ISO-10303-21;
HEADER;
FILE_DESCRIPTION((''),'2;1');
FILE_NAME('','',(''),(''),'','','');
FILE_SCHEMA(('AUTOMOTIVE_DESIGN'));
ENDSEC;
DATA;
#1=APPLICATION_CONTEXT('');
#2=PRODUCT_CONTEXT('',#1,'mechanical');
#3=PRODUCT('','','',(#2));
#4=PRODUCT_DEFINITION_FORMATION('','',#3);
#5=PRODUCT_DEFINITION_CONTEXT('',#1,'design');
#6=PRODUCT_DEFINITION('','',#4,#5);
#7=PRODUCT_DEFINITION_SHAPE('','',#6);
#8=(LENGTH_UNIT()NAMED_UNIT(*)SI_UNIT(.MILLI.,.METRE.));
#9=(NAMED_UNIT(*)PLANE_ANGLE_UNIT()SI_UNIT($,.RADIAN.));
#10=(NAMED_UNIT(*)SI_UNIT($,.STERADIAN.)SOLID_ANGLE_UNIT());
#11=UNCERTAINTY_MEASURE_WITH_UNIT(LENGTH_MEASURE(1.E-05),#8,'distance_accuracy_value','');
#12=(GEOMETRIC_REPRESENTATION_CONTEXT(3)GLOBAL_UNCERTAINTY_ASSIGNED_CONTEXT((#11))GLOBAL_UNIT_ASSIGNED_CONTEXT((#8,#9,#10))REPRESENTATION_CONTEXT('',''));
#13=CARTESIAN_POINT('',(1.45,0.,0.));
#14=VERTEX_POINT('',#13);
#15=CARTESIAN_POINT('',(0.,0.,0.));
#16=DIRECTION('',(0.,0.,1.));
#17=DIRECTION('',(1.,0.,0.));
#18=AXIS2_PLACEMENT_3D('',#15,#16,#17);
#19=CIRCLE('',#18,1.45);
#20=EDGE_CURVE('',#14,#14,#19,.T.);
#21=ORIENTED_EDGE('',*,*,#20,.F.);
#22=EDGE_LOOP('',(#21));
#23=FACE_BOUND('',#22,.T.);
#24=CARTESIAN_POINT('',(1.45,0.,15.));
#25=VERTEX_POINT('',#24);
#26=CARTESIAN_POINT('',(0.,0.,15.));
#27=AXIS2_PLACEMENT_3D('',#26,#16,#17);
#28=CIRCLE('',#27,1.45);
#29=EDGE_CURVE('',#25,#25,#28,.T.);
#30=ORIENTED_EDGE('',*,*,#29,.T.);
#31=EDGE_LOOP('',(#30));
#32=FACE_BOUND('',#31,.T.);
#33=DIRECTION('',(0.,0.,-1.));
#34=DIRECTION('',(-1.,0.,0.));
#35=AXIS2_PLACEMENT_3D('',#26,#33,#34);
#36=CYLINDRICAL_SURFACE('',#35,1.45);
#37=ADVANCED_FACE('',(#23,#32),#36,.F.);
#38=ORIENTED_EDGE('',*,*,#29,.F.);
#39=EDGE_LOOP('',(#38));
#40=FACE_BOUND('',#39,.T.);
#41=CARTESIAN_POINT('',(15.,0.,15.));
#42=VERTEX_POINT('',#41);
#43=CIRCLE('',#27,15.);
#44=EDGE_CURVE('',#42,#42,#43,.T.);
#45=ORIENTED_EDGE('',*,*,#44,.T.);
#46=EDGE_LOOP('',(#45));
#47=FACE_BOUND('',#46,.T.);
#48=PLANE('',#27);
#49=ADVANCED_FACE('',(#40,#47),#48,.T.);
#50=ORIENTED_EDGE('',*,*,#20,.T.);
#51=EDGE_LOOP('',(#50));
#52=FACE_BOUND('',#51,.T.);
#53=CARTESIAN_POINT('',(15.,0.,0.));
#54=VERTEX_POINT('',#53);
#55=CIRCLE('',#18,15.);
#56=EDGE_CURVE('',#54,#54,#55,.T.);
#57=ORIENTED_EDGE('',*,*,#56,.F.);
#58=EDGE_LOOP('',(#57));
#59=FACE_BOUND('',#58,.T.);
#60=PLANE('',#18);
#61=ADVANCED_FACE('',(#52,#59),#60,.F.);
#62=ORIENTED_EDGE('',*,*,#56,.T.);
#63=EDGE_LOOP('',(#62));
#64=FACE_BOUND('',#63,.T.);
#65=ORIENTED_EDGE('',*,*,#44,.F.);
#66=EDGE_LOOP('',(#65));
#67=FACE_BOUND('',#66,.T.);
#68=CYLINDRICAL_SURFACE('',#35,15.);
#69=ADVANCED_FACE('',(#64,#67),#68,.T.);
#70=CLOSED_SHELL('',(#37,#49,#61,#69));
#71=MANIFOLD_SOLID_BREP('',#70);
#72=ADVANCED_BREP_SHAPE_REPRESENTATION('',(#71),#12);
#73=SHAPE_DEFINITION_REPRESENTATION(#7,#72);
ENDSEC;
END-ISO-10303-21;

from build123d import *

# Parameters (mm, degrees)
SZKIC1_R                    = 15
SZKIC1_R_2                  = 1.45
DODANIE_WYCI_GNI_CIE1_DEPTH = 15


with BuildPart() as part:
    # Szkic1 → Dodanie-wyciągnięcie1 (new body)
    with BuildSketch(Plane.XY):
        Circle(SZKIC1_R)
        Circle(SZKIC1_R_2, mode=Mode.SUBTRACT)
    extrude(amount=DODANIE_WYCI_GNI_CIE1_DEPTH)


solid = part.part
